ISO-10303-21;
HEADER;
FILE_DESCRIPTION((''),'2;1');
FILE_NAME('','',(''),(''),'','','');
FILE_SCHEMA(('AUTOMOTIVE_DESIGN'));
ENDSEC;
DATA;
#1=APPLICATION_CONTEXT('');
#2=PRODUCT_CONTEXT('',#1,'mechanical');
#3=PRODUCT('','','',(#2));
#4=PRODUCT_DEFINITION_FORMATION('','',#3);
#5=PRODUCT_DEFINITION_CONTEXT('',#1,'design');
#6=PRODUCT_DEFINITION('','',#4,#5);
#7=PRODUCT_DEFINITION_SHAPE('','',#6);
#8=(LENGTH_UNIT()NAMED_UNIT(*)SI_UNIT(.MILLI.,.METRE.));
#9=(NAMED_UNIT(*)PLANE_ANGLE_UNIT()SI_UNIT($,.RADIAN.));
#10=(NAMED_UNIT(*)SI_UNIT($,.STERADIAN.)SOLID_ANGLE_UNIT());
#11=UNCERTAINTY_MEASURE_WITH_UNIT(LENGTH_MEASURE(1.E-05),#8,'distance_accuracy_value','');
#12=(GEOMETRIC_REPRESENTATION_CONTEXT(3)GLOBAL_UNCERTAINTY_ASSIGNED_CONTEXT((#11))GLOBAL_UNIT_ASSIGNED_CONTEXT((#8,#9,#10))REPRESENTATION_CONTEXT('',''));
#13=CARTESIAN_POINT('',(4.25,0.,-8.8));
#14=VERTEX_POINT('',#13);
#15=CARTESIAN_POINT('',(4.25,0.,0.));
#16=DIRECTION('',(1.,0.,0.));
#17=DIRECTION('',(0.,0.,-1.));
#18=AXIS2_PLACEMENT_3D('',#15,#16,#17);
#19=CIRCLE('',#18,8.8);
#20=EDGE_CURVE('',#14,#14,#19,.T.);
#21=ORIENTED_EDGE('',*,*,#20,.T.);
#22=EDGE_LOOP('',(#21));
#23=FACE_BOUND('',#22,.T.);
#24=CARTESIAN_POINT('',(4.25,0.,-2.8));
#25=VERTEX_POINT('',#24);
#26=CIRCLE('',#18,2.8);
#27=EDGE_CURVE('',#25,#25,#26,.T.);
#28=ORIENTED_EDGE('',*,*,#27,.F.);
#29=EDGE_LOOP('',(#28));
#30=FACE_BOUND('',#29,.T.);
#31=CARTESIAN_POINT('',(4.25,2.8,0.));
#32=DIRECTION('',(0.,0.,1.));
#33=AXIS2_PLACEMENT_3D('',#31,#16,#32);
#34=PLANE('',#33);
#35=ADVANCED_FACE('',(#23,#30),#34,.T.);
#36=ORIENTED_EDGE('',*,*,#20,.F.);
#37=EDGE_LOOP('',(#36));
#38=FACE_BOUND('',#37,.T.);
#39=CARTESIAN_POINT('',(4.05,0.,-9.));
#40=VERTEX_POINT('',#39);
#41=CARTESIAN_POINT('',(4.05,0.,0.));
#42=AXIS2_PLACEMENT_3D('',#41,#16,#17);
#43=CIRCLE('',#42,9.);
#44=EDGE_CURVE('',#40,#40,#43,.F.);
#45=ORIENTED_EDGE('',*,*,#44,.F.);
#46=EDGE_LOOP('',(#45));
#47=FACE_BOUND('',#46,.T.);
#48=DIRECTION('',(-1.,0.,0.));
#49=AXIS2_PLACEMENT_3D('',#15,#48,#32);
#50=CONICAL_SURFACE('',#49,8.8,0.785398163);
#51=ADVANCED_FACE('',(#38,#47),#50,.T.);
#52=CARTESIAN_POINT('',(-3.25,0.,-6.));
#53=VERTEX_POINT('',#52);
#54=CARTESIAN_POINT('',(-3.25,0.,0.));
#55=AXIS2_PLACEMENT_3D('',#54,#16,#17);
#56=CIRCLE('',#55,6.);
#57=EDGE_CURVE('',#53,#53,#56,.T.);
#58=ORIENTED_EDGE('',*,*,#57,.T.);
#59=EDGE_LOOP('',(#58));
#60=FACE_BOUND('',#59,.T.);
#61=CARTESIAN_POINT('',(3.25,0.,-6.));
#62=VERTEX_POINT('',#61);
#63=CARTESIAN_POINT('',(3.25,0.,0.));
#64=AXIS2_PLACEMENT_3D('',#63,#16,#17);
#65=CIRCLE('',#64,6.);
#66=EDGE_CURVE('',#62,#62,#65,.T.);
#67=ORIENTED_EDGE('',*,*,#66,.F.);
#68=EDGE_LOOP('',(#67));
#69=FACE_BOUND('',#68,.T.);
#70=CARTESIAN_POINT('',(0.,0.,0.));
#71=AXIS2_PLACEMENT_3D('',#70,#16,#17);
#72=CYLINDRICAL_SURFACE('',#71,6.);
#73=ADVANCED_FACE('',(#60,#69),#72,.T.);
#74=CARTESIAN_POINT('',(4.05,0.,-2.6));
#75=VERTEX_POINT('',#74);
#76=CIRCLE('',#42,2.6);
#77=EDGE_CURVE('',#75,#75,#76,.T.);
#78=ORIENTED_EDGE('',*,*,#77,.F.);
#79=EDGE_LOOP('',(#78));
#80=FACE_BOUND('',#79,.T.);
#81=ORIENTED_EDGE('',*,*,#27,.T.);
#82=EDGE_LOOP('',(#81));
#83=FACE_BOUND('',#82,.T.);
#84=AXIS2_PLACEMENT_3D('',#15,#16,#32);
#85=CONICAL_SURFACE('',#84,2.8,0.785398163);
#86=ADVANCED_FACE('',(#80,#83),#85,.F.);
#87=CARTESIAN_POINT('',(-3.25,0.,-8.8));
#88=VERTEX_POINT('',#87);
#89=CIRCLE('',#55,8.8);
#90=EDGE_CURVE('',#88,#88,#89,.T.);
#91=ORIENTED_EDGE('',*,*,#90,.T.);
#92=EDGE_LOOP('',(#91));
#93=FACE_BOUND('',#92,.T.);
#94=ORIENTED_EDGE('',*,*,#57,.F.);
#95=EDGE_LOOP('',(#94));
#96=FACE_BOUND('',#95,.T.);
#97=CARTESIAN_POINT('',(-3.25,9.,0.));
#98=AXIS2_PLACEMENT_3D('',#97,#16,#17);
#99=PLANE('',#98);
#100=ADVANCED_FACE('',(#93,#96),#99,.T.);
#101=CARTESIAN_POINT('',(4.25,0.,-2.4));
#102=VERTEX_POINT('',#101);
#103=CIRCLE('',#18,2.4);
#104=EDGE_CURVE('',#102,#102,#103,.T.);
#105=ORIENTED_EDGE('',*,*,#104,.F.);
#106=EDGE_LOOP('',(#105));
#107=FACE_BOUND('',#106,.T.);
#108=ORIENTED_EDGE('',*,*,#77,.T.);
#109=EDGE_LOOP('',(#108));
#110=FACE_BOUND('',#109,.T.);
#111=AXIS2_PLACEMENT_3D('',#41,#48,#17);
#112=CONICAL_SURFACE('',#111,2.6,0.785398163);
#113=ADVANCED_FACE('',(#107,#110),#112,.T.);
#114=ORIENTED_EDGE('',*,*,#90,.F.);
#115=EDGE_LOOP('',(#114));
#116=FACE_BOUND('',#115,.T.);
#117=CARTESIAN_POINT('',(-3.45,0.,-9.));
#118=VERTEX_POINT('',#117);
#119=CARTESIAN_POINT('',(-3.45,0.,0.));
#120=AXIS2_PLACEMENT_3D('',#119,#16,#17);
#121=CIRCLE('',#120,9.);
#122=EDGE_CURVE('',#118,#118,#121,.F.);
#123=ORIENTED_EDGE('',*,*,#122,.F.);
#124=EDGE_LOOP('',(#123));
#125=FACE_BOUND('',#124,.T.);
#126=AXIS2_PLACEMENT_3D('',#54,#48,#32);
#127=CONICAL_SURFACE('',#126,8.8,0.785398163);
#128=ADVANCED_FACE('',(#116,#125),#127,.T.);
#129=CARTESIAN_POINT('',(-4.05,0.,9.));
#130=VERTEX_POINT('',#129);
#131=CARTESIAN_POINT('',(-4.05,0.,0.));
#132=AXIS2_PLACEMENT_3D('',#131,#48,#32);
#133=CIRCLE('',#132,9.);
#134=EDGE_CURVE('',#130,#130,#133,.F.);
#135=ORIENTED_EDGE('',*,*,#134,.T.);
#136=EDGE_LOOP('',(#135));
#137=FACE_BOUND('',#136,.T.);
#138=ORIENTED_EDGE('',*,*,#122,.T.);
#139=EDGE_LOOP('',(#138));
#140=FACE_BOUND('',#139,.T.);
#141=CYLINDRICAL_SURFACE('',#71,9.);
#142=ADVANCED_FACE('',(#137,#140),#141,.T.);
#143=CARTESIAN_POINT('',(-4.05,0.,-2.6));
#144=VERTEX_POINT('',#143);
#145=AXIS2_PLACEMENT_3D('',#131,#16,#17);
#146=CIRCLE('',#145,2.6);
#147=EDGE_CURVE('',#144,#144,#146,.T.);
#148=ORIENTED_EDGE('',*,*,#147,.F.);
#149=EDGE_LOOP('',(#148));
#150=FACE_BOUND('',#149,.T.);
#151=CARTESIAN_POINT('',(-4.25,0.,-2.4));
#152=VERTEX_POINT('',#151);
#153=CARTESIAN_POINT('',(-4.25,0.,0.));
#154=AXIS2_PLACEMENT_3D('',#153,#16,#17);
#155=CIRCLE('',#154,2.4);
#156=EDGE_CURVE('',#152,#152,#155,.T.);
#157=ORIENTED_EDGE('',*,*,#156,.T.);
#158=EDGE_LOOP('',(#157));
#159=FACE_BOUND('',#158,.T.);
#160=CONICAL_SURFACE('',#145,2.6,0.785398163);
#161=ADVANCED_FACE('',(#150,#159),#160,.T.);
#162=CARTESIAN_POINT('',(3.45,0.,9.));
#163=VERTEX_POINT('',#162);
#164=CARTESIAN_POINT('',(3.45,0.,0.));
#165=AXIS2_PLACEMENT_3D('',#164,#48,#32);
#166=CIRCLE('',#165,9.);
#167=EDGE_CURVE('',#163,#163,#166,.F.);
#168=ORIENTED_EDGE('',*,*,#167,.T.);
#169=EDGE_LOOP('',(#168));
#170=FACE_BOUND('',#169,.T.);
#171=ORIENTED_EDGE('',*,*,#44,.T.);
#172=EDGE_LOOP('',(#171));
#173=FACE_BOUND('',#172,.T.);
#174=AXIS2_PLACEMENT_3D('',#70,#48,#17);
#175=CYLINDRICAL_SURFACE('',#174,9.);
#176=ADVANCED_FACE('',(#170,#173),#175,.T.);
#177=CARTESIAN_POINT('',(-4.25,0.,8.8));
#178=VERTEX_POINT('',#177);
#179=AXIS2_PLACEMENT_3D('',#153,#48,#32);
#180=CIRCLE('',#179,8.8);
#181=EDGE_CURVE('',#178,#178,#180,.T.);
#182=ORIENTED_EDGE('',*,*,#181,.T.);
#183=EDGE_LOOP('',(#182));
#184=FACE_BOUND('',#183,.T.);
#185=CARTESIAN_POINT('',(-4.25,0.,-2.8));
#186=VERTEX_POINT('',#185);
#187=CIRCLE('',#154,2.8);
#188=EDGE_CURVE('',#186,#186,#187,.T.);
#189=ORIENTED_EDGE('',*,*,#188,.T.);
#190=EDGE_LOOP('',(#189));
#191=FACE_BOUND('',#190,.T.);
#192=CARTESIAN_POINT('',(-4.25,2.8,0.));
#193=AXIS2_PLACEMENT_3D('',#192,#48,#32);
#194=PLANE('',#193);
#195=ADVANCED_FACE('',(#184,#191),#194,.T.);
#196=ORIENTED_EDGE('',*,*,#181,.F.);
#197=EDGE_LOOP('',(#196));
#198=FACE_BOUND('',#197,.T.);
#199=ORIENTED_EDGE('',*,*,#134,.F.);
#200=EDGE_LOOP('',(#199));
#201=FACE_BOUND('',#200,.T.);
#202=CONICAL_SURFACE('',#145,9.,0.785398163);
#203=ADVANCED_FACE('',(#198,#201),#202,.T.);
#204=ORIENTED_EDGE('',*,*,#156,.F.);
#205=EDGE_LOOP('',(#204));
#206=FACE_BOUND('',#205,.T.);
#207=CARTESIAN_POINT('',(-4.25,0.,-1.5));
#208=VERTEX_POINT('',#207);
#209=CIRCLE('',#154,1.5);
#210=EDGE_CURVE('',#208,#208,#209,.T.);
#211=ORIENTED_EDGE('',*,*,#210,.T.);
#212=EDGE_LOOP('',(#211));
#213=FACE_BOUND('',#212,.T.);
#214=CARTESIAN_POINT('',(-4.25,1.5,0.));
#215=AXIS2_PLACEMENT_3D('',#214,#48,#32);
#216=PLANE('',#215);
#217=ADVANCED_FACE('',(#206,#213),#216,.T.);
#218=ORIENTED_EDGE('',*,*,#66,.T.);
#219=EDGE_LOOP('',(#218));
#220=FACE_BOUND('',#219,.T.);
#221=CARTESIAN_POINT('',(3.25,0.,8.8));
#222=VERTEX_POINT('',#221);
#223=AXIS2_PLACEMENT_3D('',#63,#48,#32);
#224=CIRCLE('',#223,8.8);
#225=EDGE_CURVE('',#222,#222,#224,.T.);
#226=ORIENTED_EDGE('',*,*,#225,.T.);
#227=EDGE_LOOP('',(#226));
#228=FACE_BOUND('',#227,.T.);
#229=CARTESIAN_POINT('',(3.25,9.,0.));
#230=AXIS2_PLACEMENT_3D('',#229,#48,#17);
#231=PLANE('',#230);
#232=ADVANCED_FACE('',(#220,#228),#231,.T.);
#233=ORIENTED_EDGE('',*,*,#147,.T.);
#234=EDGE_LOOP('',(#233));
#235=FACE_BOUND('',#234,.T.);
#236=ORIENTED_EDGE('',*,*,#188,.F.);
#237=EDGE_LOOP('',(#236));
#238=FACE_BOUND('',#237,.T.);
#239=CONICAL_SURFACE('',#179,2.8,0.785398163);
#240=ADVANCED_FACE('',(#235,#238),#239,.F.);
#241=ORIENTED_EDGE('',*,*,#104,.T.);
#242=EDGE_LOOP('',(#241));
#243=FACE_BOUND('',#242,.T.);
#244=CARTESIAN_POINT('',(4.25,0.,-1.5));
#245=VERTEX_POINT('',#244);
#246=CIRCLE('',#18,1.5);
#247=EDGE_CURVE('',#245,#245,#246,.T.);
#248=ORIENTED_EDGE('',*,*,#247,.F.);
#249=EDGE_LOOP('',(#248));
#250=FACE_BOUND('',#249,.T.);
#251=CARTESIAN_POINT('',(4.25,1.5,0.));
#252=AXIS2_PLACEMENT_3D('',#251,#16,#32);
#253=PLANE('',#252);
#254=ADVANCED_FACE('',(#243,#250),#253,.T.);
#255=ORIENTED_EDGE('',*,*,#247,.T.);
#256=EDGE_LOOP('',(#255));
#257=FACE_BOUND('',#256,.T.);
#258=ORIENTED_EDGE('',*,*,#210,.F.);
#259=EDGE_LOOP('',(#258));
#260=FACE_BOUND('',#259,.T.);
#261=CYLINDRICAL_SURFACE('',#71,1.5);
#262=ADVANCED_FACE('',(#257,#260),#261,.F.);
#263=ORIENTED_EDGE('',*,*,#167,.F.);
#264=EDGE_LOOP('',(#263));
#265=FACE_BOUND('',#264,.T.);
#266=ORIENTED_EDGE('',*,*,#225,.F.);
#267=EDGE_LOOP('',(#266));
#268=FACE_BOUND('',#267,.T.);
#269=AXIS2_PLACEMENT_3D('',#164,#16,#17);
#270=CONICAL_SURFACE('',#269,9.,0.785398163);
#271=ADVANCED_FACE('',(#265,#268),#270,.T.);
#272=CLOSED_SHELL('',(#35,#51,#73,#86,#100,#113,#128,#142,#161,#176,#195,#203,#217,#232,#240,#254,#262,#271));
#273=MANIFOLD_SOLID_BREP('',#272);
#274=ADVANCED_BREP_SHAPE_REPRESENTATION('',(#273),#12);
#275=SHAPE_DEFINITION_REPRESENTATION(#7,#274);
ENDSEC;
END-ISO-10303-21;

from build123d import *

# Parameters (mm, degrees)
CHAMFER1_SIZE = 0.2


with BuildPart() as part:
    # Sketch1 → Revolve1 (revolve)
    with BuildSketch(Plane.XY, mode=Mode.PRIVATE) as revolve1_sk:
        Polygon((-4.25, 1.5), (-4.25, 2.4), (-4.05, 2.6), (-4.25, 2.8), (-4.25, 9), (-3.25, 9), (-3.25, 6), (0, 6), (0, 1.5), align=None)
    revolve(revolve1_sk.sketch.rotate(Axis((0, 0, 0), (-1, 0, 0)), 90), axis=Axis((0, 0, 0), (-1, 0, 0)))

    # Mirror1: part across plane


with BuildPart() as part_1:
    add(part.part)
    add(part.part.mirror(Plane(origin=(0, 6, 0), x_dir=(0, 0, 1), z_dir=(1, 0, 0))))

    # Chamfer1
    chamfer1_edges = [part_1.edges().sort_by_distance(p)[0] for p in [
        (-4.25, 0, 9),
        (4.25, 0, 9),
        (3.25, 0, 9),
        (-3.25, 0, 9),
    ]]
    chamfer(chamfer1_edges, length=CHAMFER1_SIZE)


solid = part_1.part
